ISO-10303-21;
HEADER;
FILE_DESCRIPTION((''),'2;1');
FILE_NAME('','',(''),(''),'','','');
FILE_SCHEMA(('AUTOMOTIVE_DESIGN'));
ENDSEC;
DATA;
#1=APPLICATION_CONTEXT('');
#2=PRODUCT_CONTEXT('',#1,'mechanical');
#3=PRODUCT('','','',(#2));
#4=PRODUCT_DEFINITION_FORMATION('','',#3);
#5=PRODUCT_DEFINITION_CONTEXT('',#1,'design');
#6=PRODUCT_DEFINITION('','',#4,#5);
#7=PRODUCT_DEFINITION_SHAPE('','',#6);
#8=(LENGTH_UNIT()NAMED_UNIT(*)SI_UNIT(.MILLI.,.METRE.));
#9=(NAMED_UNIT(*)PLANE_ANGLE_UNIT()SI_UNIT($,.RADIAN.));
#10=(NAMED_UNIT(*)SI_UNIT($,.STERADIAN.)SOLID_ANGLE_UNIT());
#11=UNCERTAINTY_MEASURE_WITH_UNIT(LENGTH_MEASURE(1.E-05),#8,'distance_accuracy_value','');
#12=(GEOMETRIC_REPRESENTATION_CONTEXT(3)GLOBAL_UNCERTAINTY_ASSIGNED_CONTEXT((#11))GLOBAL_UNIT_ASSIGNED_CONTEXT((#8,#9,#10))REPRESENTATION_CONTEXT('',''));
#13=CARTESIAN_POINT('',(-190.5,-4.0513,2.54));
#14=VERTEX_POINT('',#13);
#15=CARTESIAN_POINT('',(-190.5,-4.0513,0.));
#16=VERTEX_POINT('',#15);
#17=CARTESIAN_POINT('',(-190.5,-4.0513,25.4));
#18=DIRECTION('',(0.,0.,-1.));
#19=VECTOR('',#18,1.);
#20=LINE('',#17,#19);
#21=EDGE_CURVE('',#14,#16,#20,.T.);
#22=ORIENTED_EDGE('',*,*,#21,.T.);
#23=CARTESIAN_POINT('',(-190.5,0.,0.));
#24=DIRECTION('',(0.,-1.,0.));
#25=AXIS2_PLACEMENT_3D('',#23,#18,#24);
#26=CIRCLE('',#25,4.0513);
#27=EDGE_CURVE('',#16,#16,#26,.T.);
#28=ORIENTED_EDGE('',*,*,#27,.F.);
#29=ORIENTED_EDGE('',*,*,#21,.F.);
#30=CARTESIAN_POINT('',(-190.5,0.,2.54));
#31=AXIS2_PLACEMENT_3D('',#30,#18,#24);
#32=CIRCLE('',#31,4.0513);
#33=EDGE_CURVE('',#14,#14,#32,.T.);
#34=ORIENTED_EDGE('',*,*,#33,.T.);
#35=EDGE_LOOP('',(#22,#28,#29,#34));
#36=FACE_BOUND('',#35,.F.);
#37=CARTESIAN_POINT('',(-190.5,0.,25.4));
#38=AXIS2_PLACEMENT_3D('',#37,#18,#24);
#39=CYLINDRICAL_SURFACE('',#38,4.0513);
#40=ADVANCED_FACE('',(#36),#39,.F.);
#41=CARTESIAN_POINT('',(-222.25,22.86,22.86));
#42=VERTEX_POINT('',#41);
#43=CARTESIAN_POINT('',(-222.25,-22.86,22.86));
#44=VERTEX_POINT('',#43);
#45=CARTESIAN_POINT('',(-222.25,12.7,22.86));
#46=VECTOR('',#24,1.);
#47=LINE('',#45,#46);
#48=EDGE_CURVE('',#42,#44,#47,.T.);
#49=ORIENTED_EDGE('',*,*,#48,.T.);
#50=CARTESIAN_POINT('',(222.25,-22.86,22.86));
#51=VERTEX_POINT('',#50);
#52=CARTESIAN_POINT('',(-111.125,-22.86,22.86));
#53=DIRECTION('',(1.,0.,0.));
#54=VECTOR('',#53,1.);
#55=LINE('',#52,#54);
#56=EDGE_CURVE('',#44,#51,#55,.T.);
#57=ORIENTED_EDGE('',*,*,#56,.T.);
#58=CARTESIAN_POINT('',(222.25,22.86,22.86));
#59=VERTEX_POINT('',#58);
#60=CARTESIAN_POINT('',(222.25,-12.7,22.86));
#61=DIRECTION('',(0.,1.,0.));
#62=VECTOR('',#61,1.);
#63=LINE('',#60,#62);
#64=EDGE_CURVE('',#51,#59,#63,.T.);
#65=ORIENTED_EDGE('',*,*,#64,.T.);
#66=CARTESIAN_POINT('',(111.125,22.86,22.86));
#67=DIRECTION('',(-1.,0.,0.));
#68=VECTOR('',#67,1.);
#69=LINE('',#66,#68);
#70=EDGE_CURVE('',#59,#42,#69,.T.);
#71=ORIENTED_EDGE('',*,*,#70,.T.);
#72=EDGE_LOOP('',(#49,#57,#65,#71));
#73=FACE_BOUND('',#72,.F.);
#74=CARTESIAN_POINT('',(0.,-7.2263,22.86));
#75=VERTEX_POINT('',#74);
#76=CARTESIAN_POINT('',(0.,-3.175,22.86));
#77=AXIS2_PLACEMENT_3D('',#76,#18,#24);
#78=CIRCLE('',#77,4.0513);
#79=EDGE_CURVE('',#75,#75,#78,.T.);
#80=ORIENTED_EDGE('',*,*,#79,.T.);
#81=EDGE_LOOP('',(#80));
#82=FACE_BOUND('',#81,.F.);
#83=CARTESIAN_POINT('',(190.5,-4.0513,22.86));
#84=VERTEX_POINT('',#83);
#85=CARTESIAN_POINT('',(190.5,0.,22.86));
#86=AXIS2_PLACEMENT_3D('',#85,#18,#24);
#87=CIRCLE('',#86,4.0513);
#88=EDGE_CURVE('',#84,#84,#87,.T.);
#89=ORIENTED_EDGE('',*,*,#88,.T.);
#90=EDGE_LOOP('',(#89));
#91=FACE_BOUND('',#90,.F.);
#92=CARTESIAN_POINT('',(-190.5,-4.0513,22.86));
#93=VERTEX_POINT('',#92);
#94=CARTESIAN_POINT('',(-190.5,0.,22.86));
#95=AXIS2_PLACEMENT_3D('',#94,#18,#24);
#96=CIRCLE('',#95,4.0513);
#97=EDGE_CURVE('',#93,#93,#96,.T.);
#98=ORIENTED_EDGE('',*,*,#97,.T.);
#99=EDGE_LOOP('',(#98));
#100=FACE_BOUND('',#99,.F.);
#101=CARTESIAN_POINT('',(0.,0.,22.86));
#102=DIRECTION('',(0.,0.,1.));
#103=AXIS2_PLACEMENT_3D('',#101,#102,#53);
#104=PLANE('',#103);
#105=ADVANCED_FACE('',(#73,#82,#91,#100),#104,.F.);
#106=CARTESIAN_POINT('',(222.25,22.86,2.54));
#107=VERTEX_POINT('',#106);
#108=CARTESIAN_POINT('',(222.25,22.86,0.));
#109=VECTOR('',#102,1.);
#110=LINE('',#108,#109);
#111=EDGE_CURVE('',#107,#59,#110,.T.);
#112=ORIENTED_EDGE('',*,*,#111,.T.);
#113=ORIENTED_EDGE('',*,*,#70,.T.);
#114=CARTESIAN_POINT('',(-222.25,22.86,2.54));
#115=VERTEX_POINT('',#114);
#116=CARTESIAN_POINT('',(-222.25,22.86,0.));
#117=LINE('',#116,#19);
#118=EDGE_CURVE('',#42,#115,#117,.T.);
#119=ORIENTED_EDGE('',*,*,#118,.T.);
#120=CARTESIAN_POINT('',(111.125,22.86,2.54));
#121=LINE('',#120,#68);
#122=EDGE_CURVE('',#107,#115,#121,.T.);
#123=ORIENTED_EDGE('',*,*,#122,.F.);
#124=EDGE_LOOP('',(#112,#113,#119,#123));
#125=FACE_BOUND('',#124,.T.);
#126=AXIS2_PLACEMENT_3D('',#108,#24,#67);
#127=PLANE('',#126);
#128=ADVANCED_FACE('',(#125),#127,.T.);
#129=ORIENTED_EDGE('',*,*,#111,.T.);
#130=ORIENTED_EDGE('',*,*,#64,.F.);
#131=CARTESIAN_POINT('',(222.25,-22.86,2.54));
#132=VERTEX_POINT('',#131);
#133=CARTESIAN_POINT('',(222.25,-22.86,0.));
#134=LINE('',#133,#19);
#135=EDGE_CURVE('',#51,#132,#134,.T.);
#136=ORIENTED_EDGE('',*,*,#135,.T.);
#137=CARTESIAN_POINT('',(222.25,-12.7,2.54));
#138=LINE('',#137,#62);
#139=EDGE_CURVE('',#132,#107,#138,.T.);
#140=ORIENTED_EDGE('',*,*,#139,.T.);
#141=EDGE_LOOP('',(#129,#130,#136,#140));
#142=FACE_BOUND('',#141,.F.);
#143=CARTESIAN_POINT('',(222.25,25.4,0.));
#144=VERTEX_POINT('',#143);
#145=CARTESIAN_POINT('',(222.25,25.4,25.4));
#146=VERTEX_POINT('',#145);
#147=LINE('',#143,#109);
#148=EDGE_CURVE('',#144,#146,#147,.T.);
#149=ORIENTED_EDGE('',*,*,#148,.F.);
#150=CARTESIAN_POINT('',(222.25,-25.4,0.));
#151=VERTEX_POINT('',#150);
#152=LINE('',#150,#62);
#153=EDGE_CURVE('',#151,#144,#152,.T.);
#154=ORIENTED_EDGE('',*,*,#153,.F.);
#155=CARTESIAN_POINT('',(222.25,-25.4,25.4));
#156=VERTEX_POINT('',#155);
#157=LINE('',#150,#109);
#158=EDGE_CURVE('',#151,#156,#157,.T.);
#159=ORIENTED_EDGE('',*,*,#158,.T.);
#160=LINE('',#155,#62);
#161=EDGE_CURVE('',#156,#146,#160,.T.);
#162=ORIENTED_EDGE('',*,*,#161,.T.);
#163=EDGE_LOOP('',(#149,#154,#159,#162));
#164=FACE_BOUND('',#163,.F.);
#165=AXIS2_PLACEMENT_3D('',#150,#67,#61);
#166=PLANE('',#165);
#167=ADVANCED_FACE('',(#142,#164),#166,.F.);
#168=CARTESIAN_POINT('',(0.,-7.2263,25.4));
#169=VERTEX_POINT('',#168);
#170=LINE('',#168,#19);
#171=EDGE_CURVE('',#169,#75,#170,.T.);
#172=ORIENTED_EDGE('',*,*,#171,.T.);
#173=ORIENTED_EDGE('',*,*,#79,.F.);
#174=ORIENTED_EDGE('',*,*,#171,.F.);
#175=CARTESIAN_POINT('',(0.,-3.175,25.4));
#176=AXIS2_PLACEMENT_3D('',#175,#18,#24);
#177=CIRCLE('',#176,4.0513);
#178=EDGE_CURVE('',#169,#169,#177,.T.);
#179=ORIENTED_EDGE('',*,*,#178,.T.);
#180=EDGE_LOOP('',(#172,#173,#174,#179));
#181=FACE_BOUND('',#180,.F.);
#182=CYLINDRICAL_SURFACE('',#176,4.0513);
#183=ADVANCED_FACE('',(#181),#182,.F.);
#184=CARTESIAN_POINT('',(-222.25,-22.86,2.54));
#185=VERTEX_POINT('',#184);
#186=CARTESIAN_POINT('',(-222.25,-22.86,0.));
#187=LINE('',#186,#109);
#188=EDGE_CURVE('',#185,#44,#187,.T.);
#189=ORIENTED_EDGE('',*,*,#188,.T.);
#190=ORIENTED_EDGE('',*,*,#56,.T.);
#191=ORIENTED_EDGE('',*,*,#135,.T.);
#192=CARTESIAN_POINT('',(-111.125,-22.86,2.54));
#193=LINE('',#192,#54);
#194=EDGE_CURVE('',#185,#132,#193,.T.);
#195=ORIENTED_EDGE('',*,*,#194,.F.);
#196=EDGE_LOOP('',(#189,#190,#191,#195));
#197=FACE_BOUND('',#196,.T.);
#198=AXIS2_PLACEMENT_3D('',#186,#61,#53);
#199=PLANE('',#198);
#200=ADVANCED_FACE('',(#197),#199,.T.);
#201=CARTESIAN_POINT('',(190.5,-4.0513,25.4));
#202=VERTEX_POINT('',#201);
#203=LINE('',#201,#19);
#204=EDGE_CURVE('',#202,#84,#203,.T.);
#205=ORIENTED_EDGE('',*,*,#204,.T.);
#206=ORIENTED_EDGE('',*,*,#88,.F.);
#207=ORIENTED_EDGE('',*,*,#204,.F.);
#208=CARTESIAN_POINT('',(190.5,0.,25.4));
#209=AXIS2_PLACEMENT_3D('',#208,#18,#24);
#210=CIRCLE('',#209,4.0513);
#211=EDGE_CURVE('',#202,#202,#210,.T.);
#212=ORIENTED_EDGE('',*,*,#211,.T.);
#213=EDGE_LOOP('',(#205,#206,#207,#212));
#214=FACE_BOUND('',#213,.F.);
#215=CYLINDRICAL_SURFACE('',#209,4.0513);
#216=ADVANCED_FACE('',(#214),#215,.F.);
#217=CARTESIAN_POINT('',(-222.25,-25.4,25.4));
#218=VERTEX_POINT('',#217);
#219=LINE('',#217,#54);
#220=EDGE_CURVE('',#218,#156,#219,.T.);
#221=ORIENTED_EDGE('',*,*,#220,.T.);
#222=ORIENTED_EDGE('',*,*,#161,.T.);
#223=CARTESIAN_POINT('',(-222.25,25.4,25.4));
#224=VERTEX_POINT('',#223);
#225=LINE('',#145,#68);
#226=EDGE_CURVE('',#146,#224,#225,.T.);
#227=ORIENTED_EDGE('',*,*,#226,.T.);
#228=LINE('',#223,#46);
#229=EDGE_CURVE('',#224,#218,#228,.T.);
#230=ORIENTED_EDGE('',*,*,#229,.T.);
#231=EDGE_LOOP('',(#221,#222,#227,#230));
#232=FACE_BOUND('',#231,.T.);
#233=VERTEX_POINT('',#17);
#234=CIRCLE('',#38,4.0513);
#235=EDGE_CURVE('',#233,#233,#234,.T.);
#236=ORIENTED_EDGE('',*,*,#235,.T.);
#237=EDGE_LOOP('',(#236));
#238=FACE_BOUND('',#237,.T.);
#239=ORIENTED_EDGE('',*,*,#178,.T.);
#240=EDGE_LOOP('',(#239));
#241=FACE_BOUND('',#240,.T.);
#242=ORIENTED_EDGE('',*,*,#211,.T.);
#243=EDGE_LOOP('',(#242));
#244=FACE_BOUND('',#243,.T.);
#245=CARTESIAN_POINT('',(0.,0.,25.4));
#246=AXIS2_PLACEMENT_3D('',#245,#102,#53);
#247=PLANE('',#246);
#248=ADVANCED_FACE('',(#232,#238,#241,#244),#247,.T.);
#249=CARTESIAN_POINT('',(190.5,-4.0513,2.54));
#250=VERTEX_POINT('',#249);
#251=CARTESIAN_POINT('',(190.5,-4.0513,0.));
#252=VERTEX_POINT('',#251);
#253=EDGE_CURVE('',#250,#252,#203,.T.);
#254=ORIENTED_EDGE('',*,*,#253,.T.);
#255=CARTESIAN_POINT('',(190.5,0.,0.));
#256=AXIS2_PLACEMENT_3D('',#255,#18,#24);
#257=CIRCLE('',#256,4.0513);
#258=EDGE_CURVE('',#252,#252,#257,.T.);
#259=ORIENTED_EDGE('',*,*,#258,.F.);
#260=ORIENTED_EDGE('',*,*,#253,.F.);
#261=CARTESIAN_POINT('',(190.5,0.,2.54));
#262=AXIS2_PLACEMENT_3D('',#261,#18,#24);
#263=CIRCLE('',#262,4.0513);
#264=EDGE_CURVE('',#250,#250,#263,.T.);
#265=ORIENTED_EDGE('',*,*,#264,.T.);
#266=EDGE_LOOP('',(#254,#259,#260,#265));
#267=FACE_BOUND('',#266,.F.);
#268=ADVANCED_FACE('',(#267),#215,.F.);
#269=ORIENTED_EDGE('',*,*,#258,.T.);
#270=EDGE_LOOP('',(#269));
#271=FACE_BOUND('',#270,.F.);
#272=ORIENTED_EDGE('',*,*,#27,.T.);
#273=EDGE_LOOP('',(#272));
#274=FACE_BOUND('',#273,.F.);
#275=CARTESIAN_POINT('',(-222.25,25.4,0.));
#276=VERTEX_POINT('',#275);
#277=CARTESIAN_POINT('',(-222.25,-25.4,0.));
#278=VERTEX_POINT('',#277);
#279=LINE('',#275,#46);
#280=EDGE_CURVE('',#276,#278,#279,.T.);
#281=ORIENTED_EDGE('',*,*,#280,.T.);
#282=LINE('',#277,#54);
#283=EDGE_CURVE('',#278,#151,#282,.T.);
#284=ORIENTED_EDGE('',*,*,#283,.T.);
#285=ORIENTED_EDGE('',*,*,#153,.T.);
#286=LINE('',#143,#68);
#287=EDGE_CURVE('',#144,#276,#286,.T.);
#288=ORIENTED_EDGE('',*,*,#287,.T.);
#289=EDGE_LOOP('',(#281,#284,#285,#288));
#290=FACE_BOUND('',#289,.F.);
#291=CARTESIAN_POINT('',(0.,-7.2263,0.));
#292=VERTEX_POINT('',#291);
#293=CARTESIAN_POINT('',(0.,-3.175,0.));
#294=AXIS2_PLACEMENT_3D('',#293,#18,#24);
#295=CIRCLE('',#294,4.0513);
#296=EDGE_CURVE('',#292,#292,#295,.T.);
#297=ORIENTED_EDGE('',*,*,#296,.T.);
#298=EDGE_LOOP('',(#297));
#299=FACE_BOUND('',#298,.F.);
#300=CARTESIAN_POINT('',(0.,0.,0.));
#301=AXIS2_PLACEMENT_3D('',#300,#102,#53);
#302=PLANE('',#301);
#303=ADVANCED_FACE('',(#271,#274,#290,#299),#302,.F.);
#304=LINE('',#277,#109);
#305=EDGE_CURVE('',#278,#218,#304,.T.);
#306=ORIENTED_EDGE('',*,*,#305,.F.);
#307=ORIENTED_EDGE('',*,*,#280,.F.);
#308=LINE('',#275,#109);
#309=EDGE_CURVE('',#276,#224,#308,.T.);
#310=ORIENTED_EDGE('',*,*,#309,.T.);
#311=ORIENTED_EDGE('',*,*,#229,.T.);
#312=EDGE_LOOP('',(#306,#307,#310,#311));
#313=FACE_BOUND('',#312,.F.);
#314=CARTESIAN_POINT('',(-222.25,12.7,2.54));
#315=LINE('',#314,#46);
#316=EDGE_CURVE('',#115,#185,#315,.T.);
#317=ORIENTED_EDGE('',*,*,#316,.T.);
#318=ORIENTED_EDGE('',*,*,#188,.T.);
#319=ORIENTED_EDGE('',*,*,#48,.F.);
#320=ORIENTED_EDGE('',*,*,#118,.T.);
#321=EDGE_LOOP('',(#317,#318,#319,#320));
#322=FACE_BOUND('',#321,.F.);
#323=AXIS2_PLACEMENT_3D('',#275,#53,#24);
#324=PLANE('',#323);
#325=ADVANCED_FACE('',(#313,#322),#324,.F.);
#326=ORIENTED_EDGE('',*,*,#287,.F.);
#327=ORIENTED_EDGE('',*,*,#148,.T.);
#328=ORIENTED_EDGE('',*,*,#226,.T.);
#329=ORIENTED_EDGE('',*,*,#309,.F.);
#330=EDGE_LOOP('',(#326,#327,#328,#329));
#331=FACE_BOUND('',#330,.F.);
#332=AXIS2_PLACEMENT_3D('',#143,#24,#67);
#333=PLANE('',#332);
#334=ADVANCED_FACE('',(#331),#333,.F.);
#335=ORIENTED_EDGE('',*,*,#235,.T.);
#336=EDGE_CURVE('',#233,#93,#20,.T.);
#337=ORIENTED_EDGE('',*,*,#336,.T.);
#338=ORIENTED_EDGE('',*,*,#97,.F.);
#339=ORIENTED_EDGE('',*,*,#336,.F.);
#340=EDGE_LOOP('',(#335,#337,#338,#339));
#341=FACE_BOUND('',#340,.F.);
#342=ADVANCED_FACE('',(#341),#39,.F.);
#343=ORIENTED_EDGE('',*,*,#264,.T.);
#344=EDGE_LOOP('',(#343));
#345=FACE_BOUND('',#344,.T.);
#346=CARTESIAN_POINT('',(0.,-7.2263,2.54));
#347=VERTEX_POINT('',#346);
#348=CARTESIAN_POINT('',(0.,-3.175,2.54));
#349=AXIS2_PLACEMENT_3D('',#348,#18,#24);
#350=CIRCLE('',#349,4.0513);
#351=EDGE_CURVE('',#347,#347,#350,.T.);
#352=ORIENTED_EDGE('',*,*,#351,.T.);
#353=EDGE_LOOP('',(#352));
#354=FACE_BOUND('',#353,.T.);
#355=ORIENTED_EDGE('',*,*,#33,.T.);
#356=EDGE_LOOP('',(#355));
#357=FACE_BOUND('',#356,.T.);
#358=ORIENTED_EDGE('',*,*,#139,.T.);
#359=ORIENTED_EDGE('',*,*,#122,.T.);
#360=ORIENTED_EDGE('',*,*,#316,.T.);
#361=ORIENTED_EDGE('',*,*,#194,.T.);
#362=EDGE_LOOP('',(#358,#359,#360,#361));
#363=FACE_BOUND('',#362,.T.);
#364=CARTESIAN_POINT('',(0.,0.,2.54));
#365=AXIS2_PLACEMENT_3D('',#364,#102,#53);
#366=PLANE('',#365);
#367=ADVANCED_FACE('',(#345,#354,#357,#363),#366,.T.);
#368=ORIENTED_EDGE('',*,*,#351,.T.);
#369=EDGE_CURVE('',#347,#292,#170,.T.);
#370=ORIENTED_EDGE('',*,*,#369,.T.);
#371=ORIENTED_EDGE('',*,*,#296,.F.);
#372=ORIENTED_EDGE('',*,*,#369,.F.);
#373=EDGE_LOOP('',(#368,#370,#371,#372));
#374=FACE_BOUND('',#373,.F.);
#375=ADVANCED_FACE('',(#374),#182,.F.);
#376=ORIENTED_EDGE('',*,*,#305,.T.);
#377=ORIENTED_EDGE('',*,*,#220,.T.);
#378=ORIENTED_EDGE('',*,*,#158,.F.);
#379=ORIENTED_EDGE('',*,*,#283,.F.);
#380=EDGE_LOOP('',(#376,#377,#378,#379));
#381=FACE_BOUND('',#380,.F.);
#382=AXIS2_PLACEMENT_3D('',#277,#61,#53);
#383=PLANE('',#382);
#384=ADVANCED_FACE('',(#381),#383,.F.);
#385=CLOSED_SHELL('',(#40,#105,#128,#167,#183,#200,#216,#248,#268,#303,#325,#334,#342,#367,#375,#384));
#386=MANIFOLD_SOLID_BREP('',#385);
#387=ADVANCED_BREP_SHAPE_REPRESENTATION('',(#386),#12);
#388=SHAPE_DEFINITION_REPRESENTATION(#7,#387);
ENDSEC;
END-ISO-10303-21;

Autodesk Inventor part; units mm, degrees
ref_plane "YZ Plane" through (0, 0, 0) normal (1, 0, 0) x (0, 1, 0)
ref_plane "XZ Plane" through (0, 0, 0) normal (0, 1, 0) x (-1, 0, 0)
ref_plane "XY Plane" through (0, 0, 0) normal (0, 0, 1) x (1, 0, 0)
sketch "Sketch1" plane through (0, 0, 0) normal (0, 0, 1) x (1, 0, 0)
  line L0 (222.25, 25.4) -> (-222.25, 25.4)
  line L1 (-222.25, 25.4) -> (-222.25, -25.4)
  line L2 (-222.25, -25.4) -> (222.25, -25.4)
  line L3 (222.25, -25.4) -> (222.25, 25.4)
  line L4 (222.25, 25.4) -> (-222.25, -25.4) construction
  line L5 (-222.25, 25.4) -> (222.25, -25.4) construction
  point P0 (0, 0)
  dimension "d0" = 444.5
  dimension "d1" = 50.8
extrude "Extrusion1" add sketch "Sketch1" along normal blind 25.4
sketch "Sketch2" plane through (0, 0, 25.4) normal (0, 0, 1) x (1, 0, 0)
  point P0 (0, -3.175)
  point P1 (0, -3.175)
  point P2 (-190.5, 0)
  point P3 (190.5, 0)
  point P4 (0, 0)
  dimension "d4" = 3.175
  dimension "d5" = 190.5
  dimension "d6" = 190.5
  dimension "d7" = 3.175
shell "Shell1" thickness 2.54 removed faces 2 at (222.25, -8.4667, 8.4667) at (-222.25, 8.4667, 16.9333)
hole "Hole1" at (0, -3.175, 25.4) at (-190.5, 0, 25.4) at (190.5, 0, 25.4) direction (0, 0, -1) diameter 8.1026 end through all
equation "\"d6\" = d5"
properties part number "Drive base"
